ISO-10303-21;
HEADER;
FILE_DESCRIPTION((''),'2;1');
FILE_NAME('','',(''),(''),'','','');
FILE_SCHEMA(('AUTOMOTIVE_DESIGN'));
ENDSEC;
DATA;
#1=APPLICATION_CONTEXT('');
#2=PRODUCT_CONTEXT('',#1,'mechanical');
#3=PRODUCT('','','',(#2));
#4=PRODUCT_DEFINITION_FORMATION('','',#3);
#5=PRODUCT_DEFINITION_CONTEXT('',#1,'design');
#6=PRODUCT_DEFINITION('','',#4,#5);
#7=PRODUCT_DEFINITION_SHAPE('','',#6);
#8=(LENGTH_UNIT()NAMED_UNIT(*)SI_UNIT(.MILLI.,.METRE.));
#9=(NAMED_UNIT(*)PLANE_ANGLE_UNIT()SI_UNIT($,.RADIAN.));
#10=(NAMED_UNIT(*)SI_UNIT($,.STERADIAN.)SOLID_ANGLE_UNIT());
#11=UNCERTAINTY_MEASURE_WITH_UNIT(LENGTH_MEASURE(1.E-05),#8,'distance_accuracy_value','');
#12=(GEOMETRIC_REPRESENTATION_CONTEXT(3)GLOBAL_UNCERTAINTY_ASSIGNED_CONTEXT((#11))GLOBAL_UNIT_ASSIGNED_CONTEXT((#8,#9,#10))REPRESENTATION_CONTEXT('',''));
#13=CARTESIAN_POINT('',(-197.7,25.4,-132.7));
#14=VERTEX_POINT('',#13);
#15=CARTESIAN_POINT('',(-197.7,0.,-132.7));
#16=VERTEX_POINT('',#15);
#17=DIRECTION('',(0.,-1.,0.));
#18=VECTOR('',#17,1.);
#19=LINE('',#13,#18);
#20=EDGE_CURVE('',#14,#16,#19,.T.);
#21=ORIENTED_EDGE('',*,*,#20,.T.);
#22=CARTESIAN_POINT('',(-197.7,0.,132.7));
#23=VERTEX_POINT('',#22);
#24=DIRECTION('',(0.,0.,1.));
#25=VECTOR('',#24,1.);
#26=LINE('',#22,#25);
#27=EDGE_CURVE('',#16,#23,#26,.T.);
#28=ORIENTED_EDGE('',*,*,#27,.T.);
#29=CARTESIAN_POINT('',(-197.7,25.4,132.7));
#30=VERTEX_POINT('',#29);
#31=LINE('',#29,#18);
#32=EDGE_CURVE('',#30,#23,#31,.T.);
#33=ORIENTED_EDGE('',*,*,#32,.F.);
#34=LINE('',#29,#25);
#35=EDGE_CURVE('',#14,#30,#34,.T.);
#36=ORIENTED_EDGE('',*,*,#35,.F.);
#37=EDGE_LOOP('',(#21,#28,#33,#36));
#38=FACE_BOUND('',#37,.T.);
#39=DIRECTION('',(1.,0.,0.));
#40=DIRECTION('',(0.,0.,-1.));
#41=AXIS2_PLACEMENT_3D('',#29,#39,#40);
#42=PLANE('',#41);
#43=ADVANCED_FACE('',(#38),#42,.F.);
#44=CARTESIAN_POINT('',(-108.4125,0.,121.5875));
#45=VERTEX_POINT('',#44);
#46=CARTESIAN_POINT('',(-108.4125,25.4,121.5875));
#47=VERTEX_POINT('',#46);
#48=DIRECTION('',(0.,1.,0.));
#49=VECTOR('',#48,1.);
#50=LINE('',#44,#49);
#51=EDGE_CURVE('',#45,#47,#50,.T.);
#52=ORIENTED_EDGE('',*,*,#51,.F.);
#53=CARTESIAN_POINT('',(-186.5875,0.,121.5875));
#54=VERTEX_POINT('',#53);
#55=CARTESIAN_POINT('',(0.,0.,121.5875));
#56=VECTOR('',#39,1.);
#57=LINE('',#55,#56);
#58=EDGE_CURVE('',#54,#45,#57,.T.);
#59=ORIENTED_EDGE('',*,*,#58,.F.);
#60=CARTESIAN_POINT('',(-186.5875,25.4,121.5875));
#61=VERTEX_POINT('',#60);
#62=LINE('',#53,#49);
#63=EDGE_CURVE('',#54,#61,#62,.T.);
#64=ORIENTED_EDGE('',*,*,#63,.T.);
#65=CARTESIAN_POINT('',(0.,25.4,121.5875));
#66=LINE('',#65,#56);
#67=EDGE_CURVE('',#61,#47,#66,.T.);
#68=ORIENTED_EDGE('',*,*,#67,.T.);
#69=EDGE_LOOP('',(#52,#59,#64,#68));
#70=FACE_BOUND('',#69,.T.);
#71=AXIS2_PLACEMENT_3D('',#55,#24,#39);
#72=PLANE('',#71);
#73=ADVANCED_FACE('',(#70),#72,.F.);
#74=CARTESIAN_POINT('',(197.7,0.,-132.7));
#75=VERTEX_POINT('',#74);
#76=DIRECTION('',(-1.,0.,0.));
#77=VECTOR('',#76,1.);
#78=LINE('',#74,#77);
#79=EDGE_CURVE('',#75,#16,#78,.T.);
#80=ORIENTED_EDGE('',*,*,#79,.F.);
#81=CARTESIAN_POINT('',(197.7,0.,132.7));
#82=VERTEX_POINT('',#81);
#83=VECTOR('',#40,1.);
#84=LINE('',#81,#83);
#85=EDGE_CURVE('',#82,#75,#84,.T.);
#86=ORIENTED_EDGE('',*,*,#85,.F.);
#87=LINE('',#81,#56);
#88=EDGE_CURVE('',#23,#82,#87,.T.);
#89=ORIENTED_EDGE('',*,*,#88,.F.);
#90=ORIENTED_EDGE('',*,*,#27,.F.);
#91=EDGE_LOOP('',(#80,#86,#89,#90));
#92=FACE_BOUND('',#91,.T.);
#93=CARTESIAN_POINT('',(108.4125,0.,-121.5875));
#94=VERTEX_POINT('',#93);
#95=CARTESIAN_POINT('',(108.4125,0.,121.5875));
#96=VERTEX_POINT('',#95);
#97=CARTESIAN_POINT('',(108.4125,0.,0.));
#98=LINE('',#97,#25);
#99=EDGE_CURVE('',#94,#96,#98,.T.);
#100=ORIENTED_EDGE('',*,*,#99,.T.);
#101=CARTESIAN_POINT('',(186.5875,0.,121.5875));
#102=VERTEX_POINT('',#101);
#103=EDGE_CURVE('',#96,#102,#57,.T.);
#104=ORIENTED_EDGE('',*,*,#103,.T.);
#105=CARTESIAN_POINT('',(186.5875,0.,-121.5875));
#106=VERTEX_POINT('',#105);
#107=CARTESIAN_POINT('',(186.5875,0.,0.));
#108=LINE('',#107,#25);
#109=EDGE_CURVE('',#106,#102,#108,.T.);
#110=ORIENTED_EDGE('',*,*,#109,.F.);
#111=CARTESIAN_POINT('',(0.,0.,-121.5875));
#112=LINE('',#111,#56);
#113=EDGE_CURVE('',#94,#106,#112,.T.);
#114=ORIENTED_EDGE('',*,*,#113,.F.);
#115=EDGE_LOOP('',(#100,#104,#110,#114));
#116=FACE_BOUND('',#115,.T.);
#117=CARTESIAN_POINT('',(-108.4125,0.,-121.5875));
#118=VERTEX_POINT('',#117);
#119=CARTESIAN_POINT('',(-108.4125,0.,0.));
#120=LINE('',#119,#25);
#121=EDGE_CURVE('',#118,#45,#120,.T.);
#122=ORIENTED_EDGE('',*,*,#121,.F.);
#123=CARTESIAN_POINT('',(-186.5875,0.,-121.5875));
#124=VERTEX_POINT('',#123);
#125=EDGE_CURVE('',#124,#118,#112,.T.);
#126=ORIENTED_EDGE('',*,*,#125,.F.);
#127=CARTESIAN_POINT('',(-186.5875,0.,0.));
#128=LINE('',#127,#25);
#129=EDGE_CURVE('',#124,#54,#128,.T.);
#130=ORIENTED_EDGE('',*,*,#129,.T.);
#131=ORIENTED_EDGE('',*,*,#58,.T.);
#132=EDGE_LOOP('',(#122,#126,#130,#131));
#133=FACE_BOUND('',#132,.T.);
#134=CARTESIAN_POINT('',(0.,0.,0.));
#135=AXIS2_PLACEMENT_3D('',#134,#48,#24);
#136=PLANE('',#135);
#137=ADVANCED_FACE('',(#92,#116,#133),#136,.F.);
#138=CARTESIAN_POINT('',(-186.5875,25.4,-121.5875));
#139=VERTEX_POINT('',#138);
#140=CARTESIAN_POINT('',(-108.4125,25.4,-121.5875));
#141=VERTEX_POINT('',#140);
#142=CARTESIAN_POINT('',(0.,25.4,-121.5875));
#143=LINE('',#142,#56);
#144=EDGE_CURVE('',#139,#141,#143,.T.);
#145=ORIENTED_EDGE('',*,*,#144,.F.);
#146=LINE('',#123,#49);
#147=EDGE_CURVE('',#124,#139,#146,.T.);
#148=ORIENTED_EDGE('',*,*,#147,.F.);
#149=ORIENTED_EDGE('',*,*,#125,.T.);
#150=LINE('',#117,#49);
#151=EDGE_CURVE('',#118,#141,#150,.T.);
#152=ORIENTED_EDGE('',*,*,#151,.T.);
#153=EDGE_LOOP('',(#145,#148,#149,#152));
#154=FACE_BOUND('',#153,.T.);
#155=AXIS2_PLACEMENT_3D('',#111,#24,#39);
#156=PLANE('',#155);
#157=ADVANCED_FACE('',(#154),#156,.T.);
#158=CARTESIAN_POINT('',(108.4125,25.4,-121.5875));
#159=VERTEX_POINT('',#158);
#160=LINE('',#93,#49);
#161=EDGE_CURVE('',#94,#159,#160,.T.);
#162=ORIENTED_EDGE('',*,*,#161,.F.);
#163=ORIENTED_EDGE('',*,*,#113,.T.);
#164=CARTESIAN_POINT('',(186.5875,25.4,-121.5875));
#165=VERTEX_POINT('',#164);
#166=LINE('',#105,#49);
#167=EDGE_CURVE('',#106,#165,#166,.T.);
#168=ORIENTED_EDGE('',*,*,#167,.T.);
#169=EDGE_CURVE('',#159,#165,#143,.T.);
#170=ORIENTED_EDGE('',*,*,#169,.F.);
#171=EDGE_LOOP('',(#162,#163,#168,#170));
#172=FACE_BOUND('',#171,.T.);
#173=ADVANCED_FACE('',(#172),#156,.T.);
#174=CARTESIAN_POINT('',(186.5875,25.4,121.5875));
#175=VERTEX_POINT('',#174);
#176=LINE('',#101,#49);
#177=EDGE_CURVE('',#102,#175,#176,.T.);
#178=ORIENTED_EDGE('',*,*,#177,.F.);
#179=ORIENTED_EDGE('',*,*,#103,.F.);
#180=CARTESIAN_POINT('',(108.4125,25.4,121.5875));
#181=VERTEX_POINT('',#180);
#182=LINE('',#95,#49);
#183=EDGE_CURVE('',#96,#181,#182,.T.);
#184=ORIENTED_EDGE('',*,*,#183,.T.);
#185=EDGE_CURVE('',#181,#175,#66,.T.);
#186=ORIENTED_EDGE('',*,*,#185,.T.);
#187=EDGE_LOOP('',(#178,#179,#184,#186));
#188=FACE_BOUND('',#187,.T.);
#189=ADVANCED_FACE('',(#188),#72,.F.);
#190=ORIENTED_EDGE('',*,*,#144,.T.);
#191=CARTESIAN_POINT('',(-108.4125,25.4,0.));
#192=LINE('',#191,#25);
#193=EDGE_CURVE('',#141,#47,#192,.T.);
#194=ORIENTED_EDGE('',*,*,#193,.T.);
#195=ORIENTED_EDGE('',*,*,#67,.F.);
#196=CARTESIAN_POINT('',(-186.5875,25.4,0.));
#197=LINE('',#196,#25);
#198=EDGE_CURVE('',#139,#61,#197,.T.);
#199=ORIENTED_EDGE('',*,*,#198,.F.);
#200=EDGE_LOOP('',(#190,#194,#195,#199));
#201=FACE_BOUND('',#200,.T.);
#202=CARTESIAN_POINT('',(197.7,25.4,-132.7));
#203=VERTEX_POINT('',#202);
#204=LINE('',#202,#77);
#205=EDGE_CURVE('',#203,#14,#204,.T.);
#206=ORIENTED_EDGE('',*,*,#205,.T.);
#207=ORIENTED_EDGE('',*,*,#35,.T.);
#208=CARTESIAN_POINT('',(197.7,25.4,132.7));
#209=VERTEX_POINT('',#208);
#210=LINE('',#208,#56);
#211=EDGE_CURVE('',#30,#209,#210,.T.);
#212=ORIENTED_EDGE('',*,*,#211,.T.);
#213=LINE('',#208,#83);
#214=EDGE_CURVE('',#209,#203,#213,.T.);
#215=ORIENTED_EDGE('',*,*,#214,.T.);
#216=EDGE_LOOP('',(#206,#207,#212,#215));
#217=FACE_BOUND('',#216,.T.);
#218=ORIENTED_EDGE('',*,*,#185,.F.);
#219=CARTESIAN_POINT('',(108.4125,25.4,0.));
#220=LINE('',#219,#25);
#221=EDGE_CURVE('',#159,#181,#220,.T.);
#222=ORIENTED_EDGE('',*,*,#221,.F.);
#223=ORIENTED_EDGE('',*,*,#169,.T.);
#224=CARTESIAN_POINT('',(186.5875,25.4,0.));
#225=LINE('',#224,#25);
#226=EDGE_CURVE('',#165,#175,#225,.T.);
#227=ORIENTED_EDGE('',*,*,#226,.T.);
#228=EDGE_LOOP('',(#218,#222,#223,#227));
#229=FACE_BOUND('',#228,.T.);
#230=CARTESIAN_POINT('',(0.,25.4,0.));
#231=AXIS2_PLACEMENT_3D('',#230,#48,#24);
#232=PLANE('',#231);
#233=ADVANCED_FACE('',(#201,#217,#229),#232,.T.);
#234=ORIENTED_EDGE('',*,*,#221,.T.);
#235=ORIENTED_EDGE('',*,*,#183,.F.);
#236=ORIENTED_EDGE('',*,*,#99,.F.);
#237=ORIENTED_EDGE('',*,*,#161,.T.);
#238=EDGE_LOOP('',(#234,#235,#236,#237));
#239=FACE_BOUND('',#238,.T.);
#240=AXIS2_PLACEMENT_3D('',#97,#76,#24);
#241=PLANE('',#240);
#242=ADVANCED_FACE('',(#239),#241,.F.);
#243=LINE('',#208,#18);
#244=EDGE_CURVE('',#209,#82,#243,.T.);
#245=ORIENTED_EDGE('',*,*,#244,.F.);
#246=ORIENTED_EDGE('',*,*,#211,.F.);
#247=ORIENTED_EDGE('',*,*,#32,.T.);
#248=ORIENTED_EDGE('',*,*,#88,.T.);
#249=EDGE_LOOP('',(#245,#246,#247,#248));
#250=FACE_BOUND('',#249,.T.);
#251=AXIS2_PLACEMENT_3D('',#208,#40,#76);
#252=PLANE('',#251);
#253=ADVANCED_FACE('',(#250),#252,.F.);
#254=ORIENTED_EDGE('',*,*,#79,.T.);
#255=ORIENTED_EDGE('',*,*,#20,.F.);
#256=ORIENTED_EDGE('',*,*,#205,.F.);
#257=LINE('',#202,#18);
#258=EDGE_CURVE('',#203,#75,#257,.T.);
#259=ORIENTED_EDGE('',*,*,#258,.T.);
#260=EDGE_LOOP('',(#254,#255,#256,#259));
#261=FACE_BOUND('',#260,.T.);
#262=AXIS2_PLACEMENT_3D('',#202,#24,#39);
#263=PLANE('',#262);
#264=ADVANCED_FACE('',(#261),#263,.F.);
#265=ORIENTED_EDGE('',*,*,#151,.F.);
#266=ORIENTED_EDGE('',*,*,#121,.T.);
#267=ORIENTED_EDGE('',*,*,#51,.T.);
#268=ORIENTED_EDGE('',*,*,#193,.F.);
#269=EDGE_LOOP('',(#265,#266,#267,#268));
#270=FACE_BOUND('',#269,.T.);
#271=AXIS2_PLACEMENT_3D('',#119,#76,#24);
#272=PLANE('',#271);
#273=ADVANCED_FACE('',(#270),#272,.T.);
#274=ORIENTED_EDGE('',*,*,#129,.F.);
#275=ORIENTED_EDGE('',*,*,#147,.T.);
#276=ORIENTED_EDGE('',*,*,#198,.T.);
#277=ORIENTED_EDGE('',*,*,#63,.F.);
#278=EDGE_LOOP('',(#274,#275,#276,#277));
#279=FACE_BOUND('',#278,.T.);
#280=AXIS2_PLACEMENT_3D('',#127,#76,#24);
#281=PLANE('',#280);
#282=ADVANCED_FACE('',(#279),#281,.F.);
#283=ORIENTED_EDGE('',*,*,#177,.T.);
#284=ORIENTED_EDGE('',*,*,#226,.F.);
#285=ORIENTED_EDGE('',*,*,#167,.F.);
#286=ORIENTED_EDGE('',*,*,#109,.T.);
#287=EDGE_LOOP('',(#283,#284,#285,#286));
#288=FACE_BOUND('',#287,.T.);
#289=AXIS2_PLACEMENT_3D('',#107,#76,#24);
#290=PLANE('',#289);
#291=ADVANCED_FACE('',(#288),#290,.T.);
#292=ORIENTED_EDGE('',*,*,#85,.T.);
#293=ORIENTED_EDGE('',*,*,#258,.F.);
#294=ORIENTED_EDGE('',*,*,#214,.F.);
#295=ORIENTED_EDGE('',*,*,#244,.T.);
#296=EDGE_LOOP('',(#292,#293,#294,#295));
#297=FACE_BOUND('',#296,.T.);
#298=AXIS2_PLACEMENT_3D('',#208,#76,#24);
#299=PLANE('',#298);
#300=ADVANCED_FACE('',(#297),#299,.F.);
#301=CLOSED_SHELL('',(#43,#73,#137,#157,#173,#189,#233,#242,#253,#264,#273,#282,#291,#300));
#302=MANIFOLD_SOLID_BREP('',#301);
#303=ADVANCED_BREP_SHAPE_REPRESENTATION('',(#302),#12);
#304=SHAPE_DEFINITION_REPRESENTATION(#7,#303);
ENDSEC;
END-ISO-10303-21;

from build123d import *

# Parameters (mm, degrees)
SKETCH5_W           = 395.4
SKETCH5_H           = 265.4
BOSS_EXTRUDE3_DEPTH = 25.4
SKETCH6_W           = 78.175
SKETCH6_H           = 243.175
SKETCH6_W_2         = 75
SKETCH6_H_2         = 240
CUT_EXTRUDE1_DEPTH  = 240.4571778


with BuildPart() as part:
    # Sketch5 → Boss-Extrude3 (new body)
    with BuildSketch(Plane(origin=(0, 0, 0), x_dir=(1, 0, 0), z_dir=(0, 1, 0))):
        Rectangle(SKETCH5_W, SKETCH5_H)
    extrude(amount=BOSS_EXTRUDE3_DEPTH)

    # Sketch6 → Cut-Extrude1 (cut, through all)
    # profile 1 of 4: a face of its own
    with BuildSketch(Plane(origin=(0, 25.4, 0), x_dir=(1, 0, 0), z_dir=(0, 1, 0))):
        with Locations((147.5, 0)):
            Rectangle(SKETCH6_W, SKETCH6_H)
        with Locations((147.5, 0)):
            Rectangle(SKETCH6_W_2, SKETCH6_H_2, mode=Mode.SUBTRACT)
    # profile 2 of 4: a face of its own
    with BuildSketch(Plane(origin=(0, 25.4, 0), x_dir=(1, 0, 0), z_dir=(0, 1, 0))):
        with Locations((147.5, 0)):
            Rectangle(SKETCH6_W_2, SKETCH6_H_2)
    # profile 3 of 4: a face of its own
    with BuildSketch(Plane(origin=(0, 25.4, 0), x_dir=(1, 0, 0), z_dir=(0, 1, 0))):
        with Locations((-147.5, 0)):
            Rectangle(SKETCH6_W, SKETCH6_H)
        with Locations((-147.5, 0)):
            Rectangle(SKETCH6_W_2, SKETCH6_H_2, mode=Mode.SUBTRACT)
    # profile 4 of 4: a face of its own
    with BuildSketch(Plane(origin=(0, 25.4, 0), x_dir=(1, 0, 0), z_dir=(0, 1, 0))):
        with Locations((-147.5, 0)):
            Rectangle(SKETCH6_W_2, SKETCH6_H_2)
    extrude(amount=-CUT_EXTRUDE1_DEPTH, mode=Mode.SUBTRACT)


solid = part.part
